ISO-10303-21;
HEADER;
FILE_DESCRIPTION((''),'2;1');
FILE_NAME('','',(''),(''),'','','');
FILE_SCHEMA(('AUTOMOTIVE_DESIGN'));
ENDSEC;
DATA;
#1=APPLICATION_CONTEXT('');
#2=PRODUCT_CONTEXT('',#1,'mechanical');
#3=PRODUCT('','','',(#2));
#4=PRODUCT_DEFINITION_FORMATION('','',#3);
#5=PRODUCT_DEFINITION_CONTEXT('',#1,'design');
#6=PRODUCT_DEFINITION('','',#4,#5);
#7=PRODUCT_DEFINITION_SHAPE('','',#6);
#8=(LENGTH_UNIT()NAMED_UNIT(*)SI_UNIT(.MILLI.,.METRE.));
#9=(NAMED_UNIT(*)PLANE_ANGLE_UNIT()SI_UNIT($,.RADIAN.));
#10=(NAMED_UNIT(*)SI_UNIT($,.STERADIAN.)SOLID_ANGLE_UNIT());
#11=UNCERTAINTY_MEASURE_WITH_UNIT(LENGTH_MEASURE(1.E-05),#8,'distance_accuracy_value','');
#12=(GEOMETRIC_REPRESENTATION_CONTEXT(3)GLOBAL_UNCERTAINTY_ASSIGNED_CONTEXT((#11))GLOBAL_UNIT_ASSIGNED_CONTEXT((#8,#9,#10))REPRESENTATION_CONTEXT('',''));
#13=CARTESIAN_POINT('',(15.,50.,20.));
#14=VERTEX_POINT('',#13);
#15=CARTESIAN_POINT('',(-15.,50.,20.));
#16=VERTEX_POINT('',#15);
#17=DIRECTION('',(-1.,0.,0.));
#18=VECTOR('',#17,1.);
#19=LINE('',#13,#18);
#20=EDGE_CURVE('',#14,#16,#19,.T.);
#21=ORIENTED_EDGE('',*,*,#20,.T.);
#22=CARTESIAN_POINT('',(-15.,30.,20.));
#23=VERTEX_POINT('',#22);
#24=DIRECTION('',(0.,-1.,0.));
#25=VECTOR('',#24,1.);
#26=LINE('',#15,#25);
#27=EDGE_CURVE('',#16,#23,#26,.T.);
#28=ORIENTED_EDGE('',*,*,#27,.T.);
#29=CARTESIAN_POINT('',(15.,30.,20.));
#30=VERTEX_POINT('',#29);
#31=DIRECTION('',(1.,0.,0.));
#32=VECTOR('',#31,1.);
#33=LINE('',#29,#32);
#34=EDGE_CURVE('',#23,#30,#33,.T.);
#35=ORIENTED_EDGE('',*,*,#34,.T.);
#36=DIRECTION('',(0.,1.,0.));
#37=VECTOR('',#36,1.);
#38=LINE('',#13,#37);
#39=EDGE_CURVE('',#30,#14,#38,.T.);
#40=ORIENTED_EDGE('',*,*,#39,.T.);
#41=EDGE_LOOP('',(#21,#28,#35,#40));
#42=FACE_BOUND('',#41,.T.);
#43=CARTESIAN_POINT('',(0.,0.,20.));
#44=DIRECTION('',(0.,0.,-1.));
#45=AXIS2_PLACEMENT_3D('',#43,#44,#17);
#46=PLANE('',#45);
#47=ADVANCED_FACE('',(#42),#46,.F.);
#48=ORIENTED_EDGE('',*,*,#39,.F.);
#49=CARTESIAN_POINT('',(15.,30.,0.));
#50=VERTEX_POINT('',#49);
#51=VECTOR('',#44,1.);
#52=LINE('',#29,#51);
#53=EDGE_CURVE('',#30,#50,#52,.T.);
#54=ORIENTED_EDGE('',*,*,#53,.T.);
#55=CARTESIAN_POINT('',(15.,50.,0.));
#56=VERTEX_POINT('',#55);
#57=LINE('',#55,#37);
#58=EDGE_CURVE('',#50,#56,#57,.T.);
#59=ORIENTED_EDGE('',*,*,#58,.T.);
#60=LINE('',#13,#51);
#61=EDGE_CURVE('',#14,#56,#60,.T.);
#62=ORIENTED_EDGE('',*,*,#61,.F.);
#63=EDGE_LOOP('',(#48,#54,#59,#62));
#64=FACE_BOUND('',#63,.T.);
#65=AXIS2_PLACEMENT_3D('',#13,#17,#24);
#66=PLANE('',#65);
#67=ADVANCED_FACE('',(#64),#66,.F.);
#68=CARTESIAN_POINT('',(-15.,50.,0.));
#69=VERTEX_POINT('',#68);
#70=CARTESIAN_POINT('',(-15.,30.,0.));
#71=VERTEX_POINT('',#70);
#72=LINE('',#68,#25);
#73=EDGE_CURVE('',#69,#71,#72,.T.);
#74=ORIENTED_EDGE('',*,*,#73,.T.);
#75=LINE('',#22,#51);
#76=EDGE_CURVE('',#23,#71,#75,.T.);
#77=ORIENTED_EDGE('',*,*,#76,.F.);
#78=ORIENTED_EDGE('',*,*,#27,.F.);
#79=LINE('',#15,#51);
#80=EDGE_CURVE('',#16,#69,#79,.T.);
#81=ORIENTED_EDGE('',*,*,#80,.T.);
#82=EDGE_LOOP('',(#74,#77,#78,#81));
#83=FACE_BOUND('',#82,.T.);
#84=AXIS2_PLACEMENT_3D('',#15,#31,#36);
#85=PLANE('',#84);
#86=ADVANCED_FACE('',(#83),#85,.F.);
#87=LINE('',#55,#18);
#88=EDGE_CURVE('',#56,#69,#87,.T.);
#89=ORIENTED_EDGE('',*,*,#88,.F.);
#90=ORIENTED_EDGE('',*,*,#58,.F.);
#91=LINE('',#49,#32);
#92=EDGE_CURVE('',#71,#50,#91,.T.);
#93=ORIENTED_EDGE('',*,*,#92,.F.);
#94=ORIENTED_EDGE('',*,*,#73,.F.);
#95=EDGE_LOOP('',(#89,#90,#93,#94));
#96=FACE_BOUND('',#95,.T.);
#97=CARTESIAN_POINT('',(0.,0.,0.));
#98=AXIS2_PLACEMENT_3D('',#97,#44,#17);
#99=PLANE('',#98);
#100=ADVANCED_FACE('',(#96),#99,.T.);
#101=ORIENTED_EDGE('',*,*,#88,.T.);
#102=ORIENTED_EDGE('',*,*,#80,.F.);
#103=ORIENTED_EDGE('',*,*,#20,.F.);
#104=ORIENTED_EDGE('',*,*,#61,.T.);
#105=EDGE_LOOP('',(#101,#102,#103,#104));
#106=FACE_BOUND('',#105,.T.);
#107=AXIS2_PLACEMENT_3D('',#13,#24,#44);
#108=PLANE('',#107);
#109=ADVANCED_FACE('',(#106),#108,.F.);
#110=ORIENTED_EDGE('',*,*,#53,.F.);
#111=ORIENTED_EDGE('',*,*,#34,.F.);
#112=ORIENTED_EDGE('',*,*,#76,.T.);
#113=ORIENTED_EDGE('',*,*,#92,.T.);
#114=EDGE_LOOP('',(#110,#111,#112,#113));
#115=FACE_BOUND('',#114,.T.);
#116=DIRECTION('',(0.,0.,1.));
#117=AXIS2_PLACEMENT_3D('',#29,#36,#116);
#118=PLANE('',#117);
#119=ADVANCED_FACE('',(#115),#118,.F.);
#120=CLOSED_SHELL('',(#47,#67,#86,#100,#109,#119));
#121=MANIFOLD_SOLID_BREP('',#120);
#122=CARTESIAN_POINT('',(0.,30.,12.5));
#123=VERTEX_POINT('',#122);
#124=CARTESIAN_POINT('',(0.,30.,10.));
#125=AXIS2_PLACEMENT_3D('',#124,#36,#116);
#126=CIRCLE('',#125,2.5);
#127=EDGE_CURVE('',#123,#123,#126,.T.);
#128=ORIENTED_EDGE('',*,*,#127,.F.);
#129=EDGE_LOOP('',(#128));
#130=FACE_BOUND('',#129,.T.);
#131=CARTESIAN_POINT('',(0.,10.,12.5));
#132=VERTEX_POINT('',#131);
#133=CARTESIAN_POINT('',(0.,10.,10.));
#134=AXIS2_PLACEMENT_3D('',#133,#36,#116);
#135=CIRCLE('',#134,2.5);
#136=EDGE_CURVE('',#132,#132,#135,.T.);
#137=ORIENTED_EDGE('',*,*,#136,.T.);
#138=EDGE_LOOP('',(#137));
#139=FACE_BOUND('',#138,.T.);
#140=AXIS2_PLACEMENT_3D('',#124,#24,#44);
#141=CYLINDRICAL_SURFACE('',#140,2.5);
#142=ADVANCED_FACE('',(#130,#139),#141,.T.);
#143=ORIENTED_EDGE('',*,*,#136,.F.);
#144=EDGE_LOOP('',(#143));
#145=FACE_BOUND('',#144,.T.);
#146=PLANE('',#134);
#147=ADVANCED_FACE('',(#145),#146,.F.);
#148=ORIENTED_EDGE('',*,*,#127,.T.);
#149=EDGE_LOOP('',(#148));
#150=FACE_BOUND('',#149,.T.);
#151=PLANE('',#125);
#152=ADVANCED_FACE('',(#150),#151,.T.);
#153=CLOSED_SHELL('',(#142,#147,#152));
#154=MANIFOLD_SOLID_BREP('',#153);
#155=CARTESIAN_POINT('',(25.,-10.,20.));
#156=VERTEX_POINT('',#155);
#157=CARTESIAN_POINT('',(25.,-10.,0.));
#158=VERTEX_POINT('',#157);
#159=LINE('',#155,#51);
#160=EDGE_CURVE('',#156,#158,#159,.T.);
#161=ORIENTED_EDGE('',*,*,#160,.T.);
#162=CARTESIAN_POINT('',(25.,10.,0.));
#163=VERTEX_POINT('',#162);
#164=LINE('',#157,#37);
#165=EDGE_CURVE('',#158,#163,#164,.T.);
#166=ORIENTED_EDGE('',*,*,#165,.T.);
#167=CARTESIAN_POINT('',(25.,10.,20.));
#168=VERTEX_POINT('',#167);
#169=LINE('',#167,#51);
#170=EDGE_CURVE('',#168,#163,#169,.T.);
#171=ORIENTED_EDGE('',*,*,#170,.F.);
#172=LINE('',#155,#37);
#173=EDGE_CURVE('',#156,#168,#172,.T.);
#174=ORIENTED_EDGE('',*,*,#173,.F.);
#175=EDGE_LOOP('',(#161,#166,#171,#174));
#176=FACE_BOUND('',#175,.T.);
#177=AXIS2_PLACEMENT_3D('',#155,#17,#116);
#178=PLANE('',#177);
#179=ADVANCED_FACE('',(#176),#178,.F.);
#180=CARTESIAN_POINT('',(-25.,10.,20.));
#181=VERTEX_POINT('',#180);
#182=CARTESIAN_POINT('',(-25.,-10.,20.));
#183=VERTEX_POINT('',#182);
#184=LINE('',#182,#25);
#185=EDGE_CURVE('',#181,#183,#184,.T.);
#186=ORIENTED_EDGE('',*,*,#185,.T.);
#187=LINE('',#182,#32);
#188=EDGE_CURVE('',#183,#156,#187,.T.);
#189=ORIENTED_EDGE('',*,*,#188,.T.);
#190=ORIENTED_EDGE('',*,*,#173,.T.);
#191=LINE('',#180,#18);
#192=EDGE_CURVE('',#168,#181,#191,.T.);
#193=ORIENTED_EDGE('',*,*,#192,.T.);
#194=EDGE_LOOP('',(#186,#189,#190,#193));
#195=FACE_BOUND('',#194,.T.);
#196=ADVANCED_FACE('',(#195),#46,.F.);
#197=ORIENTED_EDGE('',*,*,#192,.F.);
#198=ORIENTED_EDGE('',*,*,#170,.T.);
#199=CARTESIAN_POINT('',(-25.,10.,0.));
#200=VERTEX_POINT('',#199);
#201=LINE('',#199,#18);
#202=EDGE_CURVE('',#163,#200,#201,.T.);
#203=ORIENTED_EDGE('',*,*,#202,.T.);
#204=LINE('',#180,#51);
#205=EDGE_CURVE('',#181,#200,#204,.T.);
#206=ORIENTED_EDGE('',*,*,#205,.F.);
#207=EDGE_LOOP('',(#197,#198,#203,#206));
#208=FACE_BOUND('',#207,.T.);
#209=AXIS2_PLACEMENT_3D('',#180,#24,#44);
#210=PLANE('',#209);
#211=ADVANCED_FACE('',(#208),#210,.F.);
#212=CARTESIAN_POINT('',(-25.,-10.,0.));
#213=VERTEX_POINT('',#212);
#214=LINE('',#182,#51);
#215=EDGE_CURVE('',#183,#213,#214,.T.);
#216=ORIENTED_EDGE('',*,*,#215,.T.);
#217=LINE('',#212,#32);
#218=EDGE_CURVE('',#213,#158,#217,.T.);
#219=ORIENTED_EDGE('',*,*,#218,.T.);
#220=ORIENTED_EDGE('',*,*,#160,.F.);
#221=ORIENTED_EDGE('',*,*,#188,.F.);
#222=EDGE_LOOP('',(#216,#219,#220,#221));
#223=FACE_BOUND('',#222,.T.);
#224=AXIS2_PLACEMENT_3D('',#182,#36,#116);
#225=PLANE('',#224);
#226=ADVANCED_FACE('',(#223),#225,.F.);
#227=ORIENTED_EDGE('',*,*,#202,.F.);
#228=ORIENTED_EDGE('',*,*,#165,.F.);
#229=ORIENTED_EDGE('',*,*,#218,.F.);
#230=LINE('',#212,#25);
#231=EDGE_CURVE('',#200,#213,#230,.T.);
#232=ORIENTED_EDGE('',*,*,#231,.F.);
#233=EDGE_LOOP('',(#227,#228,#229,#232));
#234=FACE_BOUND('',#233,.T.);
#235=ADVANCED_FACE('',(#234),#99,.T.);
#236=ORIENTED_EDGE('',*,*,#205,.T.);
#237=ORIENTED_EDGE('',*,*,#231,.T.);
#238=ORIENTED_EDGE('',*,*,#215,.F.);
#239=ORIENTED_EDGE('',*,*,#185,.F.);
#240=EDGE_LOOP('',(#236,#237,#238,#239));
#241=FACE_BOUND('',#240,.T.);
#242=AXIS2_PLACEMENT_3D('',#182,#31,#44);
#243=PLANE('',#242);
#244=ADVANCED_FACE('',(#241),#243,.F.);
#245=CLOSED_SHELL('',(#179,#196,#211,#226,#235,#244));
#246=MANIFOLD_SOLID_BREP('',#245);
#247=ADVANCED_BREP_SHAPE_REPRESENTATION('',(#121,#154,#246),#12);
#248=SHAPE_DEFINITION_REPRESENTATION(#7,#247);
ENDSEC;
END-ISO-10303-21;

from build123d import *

# Parameters (mm, degrees)
SKETCH1_W           = 50
SKETCH1_H           = 20
BOSS_EXTRUDE1_DEPTH = 20
SKETCH2_R           = 2.5
BOSS_EXTRUDE2_DEPTH = 20
SKETCH3_W           = 30
SKETCH3_H           = 20
BOSS_EXTRUDE3_DEPTH = 20


with BuildPart() as part:
    # Sketch1 → Boss-Extrude1 (new body)
    with BuildSketch(Plane.XY):
        Rectangle(SKETCH1_W, SKETCH1_H)
    extrude(amount=BOSS_EXTRUDE1_DEPTH)


with BuildPart() as body_2:
    # Sketch2 → Boss-Extrude2 (new body)
    with BuildSketch(Plane(origin=(0, 10, 0), x_dir=(1, 0, 0), z_dir=(0, 1, 0))):
        with Locations(Location((0, -10, 0), (0, 0, 270))):
            Circle(SKETCH2_R)
    extrude(amount=BOSS_EXTRUDE2_DEPTH)


with BuildPart() as body_3:
    # Sketch3 → Boss-Extrude3 (new body)
    with BuildSketch(Plane.XY):
        with Locations((0, 40)):
            Rectangle(SKETCH3_W, SKETCH3_H)
    extrude(amount=BOSS_EXTRUDE3_DEPTH)


solid = Compound([part.part, body_2.part, body_3.part])
